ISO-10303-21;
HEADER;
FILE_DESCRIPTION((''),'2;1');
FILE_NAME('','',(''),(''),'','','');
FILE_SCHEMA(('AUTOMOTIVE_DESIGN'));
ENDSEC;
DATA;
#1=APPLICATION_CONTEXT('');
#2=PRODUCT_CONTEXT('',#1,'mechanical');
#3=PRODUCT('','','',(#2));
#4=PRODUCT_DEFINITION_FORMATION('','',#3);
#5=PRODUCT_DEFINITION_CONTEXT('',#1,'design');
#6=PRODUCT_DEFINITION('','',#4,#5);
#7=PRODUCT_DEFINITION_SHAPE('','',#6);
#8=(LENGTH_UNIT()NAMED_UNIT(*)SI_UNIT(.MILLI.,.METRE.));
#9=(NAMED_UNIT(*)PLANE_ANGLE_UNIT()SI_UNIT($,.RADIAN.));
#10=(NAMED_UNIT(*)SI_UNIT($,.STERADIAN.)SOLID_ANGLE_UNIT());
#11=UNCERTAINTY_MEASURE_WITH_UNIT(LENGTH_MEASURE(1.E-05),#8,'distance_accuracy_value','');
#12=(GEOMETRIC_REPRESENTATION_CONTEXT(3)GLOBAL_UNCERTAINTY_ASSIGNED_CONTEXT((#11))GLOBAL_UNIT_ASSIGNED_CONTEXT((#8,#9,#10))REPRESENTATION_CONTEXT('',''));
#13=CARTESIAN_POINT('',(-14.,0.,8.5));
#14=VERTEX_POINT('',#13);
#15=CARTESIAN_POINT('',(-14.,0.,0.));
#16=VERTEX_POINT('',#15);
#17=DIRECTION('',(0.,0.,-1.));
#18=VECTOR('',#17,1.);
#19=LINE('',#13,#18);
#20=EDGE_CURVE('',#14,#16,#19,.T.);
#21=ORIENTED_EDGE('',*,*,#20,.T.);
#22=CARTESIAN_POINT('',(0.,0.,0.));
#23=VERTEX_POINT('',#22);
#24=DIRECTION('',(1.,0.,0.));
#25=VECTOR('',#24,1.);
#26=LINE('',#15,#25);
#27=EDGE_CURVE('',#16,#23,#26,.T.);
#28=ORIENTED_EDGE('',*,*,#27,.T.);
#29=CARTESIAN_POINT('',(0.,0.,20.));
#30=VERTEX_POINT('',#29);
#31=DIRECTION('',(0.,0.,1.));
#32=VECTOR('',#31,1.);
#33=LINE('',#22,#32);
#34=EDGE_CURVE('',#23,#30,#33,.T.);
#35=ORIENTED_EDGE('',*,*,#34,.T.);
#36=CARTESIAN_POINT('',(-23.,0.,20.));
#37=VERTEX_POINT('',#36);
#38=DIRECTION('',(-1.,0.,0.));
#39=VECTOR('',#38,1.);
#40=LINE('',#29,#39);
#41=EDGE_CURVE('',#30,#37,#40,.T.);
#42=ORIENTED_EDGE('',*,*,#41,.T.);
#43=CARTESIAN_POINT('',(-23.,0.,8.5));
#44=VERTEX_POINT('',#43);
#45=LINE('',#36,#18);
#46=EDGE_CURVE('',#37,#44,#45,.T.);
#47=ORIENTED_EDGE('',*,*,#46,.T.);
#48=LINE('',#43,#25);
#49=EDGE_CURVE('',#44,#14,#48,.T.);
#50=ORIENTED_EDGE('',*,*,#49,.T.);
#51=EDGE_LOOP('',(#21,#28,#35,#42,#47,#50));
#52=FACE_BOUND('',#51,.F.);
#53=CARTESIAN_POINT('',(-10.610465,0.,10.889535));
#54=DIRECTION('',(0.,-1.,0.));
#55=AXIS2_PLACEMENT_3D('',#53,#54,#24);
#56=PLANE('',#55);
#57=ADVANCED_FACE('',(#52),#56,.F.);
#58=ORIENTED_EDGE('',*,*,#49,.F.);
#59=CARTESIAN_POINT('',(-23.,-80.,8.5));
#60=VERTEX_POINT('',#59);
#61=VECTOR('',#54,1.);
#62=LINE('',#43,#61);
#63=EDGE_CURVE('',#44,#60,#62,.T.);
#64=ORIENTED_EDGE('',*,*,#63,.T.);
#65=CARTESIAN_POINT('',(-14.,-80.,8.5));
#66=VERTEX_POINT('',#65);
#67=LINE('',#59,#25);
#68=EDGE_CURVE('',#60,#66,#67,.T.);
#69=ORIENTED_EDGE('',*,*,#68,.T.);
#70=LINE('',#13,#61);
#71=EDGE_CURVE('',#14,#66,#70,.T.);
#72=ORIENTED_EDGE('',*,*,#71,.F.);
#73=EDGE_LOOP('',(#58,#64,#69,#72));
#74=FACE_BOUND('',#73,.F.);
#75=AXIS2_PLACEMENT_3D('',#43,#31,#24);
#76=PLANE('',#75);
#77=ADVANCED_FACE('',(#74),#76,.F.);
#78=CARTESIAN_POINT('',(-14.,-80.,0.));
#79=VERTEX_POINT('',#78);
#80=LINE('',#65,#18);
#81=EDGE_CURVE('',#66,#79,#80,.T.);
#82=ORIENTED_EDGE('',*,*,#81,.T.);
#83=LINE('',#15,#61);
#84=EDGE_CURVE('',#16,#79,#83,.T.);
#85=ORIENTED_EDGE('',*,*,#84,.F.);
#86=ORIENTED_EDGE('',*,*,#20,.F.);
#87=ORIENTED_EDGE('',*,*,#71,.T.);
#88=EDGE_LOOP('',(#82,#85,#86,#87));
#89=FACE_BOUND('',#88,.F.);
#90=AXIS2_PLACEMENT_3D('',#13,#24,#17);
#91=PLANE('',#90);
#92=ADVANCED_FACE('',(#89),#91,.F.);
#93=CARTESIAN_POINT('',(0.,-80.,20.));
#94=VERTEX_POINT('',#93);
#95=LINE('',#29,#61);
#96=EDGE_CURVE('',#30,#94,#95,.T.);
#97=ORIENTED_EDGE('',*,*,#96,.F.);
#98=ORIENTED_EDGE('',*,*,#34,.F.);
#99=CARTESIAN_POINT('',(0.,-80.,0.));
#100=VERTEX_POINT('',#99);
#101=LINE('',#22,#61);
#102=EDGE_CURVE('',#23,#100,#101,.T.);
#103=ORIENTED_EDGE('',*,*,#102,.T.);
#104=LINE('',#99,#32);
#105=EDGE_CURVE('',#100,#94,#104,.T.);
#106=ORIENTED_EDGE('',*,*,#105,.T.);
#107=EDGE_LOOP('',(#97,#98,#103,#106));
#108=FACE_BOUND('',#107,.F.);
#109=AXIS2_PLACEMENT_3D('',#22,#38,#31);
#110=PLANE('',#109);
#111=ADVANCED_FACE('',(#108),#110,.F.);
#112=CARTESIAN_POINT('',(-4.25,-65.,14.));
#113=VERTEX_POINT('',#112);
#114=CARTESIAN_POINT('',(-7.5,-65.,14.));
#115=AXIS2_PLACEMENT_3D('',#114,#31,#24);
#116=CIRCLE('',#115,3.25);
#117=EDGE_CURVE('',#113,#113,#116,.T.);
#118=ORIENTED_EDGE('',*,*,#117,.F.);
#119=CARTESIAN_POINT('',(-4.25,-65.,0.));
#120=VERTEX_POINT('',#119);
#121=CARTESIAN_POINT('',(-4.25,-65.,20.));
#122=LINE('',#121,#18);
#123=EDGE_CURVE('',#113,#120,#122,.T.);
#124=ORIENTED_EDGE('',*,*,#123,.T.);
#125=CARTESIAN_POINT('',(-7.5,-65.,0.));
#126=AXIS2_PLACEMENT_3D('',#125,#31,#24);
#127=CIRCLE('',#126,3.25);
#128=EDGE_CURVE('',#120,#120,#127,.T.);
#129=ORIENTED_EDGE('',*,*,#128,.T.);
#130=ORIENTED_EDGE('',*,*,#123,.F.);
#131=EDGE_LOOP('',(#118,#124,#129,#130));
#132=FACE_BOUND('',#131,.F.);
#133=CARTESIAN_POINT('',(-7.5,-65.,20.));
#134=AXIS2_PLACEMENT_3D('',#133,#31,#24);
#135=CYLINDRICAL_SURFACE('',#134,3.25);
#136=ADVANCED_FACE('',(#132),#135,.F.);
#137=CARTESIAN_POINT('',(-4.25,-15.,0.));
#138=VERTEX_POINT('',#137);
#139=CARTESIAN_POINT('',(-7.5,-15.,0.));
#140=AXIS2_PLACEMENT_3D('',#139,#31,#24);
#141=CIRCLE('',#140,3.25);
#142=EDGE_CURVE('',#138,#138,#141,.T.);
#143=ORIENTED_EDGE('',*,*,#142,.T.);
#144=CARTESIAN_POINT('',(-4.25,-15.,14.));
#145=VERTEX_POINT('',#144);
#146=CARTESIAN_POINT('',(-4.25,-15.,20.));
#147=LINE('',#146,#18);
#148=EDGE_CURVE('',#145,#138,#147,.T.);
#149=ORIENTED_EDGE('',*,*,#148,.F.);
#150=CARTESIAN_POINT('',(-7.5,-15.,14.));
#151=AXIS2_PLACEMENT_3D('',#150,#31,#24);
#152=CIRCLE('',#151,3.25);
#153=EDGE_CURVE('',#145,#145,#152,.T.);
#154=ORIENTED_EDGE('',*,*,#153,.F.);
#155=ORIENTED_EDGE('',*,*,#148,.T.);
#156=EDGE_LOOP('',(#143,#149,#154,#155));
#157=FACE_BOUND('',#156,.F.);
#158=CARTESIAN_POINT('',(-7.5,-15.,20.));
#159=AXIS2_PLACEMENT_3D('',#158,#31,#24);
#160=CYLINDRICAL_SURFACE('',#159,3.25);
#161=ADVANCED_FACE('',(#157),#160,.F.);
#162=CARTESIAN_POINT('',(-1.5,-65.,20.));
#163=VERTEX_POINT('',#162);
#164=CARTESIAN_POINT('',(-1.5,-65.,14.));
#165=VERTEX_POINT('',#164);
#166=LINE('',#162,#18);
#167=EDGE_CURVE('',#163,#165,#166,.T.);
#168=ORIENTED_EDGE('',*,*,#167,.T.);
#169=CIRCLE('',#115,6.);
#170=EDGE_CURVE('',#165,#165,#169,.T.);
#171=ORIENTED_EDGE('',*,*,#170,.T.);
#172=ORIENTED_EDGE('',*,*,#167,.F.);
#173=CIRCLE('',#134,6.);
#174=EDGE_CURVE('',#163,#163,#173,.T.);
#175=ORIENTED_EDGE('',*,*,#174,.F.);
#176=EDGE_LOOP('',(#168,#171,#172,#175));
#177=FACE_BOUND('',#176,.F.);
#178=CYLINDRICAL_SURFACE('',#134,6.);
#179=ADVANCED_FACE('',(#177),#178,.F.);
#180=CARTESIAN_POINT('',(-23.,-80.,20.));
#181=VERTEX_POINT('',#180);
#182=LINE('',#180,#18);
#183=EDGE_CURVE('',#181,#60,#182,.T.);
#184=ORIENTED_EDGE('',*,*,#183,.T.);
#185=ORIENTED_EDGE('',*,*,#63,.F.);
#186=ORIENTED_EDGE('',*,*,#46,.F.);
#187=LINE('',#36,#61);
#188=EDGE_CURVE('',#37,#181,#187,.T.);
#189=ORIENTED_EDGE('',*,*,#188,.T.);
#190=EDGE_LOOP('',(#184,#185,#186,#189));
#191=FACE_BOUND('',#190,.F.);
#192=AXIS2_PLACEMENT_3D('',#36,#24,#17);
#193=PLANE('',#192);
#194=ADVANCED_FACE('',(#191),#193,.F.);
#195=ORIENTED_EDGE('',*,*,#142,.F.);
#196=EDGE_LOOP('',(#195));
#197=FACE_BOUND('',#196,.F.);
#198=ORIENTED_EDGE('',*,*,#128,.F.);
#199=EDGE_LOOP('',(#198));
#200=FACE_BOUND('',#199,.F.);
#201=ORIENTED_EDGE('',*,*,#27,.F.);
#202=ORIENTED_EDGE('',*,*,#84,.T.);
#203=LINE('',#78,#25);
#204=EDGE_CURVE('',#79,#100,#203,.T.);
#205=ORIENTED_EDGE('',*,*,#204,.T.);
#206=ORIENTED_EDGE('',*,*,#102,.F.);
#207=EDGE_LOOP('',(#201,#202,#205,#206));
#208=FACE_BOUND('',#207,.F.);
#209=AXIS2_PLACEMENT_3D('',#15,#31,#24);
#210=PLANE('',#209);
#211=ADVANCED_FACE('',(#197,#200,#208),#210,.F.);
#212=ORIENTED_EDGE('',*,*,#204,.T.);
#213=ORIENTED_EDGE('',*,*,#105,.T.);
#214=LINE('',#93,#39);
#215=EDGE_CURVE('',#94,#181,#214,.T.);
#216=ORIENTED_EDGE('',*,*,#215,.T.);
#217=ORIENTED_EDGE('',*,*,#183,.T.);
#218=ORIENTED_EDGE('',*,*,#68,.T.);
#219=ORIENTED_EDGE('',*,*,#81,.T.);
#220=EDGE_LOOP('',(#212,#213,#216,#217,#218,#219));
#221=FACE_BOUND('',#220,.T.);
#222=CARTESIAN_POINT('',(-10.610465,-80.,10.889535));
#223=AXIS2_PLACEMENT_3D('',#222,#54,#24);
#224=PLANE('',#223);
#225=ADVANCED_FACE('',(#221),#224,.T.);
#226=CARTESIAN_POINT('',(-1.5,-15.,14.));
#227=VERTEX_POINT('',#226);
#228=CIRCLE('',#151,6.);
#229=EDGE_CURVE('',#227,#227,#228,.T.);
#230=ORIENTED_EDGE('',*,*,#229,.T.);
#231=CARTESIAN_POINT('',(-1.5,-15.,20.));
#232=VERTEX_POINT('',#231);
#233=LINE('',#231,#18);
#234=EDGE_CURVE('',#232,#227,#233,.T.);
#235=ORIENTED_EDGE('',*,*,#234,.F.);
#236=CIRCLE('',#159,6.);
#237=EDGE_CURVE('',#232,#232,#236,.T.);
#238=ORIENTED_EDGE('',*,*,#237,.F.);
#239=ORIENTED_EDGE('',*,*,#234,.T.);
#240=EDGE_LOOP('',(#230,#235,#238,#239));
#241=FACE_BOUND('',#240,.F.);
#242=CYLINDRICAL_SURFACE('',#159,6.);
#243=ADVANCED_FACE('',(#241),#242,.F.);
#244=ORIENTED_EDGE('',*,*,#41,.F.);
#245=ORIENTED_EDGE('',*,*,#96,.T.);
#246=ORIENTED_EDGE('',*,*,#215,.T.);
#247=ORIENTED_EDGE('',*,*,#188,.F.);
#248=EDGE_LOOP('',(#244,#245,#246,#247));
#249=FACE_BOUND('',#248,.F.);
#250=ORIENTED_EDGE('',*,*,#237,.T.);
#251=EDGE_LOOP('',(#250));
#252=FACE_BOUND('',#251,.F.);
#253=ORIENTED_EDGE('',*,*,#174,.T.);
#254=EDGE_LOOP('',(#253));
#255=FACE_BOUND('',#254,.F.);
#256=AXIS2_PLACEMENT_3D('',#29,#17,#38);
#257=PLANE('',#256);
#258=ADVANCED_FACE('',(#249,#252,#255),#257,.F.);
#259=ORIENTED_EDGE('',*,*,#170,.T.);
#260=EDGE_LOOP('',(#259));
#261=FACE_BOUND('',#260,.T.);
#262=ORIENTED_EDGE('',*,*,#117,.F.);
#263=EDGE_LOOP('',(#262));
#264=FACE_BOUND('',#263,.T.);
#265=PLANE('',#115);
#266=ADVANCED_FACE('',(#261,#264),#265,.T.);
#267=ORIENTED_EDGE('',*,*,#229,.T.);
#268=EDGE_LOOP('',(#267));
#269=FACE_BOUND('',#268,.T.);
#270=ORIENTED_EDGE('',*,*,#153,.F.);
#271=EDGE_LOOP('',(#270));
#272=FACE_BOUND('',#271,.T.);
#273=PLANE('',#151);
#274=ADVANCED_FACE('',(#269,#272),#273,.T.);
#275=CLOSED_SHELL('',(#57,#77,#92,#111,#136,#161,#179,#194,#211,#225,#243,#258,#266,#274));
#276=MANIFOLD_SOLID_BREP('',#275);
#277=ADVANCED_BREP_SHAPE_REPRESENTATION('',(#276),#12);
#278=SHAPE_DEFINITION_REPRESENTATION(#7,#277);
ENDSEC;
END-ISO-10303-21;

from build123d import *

# Parameters (mm, degrees)
F1_DEPTH = 80
F2_R     = 3.25
F3_DEPTH = 20.001
F4_R     = 6
F4_R_2   = 3.25
F5_DEPTH = 6


with BuildPart() as f1:
    # F0 (on Front) → F1 (new body)
    with BuildSketch(Plane.XZ):
        Polygon((-14, 0), (0, 0), (0, 20), (-23, 20), (-23, 8.5), (-14, 8.5), align=None)
    extrude(amount=F1_DEPTH)

    # F2 (on face) → F3 (cut, through all)
    with BuildSketch(Plane.XY.offset(20)):
        with Locations((-7.5, -15)):
            Circle(F2_R)
        with Locations((-7.5, -65)):
            Circle(F2_R)
    extrude(amount=-F3_DEPTH, mode=Mode.SUBTRACT)

    # F4 (on face) → F5 (cut)
    with BuildSketch(Plane.XY.offset(20)):
        with Locations((-7.5, -15)):
            Circle(F4_R)
        with Locations((-7.5, -15)):
            Circle(F4_R_2, mode=Mode.SUBTRACT)
        with Locations((-7.5, -65)):
            Circle(F4_R)
        with Locations((-7.5, -65)):
            Circle(F4_R_2, mode=Mode.SUBTRACT)
    extrude(amount=-F5_DEPTH, mode=Mode.SUBTRACT)


solid = f1.part
